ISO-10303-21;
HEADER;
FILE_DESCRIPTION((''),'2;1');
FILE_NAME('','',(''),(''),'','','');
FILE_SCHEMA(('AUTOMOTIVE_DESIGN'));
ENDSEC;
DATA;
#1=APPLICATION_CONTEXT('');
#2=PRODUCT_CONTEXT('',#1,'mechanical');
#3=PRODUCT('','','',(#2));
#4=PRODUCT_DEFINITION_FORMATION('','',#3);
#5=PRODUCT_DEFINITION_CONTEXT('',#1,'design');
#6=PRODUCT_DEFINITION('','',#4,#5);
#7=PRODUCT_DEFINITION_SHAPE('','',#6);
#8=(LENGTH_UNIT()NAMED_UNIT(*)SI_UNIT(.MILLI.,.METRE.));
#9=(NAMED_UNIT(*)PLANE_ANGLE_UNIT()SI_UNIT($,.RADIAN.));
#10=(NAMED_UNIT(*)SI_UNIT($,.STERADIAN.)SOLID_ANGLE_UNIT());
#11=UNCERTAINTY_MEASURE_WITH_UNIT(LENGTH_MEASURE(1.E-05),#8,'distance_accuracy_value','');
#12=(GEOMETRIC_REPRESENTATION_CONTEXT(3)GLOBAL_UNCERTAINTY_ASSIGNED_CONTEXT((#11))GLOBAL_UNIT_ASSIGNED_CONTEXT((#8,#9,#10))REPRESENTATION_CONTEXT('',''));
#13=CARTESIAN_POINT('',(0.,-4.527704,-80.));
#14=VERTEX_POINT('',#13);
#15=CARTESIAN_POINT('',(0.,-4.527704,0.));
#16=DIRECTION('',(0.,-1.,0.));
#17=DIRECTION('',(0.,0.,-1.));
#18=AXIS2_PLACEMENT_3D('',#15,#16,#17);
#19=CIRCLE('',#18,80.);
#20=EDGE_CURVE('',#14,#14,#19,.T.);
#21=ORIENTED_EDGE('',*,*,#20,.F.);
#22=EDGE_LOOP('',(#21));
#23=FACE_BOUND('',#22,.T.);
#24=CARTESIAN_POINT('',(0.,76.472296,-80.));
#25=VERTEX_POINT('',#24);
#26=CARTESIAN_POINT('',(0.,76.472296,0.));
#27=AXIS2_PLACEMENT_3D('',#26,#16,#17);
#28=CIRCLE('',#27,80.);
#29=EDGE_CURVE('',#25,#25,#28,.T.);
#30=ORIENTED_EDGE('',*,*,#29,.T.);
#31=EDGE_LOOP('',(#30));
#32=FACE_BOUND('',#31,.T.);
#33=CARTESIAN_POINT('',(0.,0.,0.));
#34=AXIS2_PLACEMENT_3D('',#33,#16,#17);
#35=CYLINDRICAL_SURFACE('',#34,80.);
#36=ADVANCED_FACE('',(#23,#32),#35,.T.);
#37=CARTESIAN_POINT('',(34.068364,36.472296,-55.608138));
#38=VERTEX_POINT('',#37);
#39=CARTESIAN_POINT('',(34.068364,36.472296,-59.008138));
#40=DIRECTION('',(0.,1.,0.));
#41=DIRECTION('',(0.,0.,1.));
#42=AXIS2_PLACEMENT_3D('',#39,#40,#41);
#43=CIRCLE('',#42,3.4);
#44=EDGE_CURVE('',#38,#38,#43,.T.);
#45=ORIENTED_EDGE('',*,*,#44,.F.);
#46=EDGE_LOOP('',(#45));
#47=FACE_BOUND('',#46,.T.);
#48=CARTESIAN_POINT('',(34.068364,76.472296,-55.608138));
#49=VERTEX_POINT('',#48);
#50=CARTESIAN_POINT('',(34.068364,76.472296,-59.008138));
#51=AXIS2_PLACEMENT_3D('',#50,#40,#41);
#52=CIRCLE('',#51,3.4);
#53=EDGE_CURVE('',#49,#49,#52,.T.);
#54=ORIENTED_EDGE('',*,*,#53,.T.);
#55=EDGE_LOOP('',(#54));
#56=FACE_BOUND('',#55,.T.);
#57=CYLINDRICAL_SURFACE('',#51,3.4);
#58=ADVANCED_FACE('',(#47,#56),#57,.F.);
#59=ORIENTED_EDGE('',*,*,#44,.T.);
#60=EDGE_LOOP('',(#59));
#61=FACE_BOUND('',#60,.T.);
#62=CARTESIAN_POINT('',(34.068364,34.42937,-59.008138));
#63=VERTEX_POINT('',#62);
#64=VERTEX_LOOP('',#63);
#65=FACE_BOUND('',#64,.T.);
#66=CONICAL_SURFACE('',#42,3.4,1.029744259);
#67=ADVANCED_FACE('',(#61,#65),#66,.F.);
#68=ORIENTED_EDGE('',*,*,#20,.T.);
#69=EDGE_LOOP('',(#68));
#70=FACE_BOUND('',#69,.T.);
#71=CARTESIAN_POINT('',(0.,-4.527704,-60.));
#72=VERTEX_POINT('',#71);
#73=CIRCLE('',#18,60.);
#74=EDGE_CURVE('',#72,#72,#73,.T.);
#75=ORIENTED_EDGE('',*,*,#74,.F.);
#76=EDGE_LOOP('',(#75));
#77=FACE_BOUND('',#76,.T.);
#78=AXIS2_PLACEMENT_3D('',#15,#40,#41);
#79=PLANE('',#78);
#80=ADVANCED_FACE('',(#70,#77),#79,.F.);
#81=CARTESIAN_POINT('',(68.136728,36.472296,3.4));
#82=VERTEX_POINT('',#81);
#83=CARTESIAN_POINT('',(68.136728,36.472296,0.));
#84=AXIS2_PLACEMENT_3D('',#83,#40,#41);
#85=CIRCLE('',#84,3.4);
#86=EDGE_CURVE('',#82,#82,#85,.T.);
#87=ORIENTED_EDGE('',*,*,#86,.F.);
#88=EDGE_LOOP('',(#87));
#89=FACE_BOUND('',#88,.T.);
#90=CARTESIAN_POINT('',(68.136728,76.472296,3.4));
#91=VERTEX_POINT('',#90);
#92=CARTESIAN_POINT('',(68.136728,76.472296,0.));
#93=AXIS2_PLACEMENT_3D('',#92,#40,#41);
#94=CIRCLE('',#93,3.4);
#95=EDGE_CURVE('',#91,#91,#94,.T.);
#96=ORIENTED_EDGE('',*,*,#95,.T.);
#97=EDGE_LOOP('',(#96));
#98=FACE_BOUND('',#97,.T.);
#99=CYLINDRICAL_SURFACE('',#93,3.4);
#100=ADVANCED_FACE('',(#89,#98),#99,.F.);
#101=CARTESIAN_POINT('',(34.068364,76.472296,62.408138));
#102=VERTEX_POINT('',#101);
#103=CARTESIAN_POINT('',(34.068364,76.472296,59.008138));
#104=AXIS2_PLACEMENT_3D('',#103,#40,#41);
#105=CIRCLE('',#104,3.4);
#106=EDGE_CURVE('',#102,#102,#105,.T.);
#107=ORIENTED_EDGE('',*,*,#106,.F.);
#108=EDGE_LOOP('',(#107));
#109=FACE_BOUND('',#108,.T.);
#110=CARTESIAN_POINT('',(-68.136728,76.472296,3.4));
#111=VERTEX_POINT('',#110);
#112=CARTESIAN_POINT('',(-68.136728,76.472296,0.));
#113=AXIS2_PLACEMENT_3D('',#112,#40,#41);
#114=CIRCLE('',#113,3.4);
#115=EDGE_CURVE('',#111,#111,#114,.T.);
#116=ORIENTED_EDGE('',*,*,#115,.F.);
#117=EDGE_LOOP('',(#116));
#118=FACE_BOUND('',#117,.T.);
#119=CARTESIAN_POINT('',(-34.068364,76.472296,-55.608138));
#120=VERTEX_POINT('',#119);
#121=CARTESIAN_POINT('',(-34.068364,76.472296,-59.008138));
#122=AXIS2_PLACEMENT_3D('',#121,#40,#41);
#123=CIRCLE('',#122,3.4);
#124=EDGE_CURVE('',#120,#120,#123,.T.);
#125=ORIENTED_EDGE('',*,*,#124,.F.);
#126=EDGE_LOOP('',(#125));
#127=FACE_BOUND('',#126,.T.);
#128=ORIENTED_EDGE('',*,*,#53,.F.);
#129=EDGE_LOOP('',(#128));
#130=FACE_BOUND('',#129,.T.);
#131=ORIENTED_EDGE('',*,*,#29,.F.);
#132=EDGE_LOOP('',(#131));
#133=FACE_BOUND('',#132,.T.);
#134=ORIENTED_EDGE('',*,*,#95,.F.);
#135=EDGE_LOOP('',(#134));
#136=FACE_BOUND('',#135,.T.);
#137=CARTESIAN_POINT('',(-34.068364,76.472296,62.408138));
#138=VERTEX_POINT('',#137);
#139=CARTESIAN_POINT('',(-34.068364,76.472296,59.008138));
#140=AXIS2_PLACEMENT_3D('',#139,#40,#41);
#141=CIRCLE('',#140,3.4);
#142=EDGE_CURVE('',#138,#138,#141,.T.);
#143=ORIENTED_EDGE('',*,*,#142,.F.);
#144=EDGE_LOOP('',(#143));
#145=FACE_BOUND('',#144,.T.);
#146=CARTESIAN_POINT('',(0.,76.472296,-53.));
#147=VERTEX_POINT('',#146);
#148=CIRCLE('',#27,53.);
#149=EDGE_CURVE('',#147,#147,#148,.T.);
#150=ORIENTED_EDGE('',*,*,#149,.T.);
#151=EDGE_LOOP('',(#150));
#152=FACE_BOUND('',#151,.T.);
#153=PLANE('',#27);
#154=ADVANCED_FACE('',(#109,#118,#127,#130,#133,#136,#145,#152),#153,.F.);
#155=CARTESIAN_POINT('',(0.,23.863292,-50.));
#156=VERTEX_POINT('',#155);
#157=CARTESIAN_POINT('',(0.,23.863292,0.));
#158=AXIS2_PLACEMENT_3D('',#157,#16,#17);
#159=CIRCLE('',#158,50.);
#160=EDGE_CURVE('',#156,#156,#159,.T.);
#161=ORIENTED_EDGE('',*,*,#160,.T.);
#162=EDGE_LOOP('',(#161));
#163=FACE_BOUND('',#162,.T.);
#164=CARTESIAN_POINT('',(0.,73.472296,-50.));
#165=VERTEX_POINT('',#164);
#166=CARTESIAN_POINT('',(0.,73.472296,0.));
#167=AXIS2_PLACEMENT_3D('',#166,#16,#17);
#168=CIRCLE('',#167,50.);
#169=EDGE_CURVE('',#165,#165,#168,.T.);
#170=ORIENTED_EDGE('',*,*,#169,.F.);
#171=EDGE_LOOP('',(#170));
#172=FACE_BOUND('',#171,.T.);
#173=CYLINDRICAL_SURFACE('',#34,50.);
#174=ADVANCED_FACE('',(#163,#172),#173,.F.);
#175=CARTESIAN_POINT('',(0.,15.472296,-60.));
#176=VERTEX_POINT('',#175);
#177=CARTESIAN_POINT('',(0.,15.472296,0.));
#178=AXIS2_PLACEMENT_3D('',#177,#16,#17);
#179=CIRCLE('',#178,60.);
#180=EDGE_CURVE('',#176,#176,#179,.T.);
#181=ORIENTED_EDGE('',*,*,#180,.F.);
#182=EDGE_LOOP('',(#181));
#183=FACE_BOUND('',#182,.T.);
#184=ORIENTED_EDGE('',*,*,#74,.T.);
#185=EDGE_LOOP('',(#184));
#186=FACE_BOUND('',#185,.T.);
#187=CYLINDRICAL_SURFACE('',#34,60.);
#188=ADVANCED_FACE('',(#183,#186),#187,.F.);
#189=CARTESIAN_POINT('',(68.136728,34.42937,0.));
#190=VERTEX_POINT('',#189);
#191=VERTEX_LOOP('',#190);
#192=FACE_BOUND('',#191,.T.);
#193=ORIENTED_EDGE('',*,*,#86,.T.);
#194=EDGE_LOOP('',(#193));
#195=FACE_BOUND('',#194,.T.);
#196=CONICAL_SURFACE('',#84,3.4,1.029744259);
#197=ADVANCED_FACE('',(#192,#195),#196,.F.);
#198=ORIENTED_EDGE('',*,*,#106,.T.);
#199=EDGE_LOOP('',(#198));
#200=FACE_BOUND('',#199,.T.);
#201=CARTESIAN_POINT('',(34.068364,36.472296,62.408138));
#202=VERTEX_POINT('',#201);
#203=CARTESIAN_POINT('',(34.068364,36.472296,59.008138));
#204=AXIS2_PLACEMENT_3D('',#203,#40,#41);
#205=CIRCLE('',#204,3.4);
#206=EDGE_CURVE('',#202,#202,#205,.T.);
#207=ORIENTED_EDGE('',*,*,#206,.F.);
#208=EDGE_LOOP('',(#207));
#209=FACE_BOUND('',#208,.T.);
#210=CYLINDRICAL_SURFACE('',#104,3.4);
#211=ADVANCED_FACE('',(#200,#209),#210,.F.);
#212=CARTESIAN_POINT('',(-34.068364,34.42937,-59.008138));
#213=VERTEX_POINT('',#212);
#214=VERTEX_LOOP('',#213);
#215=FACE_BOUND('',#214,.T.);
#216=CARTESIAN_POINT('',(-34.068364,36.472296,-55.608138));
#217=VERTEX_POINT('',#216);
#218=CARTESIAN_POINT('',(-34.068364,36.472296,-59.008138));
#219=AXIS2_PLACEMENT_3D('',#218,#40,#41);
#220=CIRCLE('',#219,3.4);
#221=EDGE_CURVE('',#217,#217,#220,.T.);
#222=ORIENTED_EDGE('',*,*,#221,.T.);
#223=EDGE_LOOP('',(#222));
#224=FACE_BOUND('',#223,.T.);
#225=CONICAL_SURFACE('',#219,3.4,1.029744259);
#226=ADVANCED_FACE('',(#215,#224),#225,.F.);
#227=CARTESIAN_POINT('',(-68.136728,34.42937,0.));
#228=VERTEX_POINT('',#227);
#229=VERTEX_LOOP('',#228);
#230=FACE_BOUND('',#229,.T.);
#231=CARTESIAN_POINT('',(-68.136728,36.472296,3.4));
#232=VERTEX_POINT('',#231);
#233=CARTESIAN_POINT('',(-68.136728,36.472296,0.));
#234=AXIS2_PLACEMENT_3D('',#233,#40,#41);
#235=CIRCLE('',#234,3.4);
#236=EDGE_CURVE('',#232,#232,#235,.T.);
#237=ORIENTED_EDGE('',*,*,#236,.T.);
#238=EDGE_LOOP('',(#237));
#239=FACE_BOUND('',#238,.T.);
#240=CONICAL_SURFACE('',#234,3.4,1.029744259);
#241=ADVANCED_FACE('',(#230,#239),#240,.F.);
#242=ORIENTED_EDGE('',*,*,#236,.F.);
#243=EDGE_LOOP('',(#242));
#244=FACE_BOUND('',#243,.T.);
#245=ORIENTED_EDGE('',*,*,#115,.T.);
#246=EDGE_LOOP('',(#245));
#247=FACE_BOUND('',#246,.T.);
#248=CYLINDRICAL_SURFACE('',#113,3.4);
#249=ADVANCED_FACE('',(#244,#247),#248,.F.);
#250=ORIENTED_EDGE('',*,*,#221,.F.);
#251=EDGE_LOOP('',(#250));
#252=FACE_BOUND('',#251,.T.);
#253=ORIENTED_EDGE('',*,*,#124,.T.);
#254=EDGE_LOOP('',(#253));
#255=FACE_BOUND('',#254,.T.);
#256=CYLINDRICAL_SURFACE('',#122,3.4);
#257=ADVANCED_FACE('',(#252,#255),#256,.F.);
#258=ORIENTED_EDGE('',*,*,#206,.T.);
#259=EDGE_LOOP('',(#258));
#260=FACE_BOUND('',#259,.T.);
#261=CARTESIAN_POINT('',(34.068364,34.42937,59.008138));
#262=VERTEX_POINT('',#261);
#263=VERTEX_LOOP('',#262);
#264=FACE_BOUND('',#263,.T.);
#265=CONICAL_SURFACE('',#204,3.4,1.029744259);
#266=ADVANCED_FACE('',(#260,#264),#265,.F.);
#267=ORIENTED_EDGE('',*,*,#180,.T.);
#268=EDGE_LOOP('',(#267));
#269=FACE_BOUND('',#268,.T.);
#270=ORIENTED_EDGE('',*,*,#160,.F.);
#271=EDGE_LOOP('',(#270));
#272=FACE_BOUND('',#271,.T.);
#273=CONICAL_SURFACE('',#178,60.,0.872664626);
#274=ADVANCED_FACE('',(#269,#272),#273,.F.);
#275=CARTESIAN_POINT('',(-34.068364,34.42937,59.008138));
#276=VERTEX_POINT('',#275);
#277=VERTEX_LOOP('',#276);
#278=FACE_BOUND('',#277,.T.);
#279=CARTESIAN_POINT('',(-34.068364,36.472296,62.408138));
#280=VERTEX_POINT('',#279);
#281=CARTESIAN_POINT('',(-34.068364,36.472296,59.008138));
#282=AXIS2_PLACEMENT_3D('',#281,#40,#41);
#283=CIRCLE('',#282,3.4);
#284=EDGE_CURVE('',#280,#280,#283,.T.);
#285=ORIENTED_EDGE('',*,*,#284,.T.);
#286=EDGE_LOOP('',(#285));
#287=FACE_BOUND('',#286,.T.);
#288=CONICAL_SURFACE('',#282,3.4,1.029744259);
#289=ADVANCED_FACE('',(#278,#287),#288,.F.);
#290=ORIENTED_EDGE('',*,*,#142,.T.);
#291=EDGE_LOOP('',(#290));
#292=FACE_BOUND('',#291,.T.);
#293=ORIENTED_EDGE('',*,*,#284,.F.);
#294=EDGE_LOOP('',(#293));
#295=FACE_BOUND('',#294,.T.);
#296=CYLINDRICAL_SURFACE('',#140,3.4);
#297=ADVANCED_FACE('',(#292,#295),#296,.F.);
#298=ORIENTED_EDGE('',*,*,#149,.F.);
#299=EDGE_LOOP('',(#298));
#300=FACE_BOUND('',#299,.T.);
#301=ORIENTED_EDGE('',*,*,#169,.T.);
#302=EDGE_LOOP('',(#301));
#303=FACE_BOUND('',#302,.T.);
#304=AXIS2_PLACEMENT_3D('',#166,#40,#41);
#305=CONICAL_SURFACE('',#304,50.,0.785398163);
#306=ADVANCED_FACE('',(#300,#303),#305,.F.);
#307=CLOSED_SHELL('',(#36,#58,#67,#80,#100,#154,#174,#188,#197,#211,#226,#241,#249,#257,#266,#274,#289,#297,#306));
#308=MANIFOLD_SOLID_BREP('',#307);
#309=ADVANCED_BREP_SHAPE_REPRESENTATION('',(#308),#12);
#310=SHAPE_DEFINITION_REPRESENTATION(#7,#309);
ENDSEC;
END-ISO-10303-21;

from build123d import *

# Parameters (mm, degrees)
OTW_R_GWINTOWANY_M81_D     = 6.8
OTW_R_GWINTOWANY_M81_DEPTH = 40
OTW_R_GWINTOWANY_M81_TIP   = 2.042926105


with BuildPart() as part:
    # Szkic1 → Obrót1 (revolve)
    with BuildSketch(Plane.XY, mode=Mode.PRIVATE) as obr_t1_sk:
        Polygon((-60, -4.527704194), (-60, 15.472295806), (-60, 76.472295806), (-80, 76.472295806), (-80, -4.527704194), align=None)
        Polygon((-50, 23.863292118), (-50, 73.472295806), (-53, 76.472295806), (-60, 76.472295806), (-60, 15.472295806), align=None)
    revolve(obr_t1_sk.sketch.rotate(Axis((0, 0, 0), (0, 1, 0)), 270), axis=Axis((0, 0, 0), (0, 1, 0)))

    # Otwór gwintowany M81
    with Locations(Plane(origin=(-68.136728334, 76.472295806, 0), x_dir=(0, 0, 1), z_dir=(0, 1, 0))):
        with Locations((0, 0), (-59.008137668, 34.068364167), (-59.008137668, 102.205092501), (0, 136.273456668), (59.008137668, 102.205092501), (59.008137668, 34.068364167)):
            Hole(OTW_R_GWINTOWANY_M81_D / 2, depth=OTW_R_GWINTOWANY_M81_DEPTH)
            with Locations((0, 0, -(OTW_R_GWINTOWANY_M81_DEPTH + OTW_R_GWINTOWANY_M81_TIP / 2))):  # 118° drill point
                Cone(0, OTW_R_GWINTOWANY_M81_D / 2, OTW_R_GWINTOWANY_M81_TIP, mode=Mode.SUBTRACT)


solid = part.part
